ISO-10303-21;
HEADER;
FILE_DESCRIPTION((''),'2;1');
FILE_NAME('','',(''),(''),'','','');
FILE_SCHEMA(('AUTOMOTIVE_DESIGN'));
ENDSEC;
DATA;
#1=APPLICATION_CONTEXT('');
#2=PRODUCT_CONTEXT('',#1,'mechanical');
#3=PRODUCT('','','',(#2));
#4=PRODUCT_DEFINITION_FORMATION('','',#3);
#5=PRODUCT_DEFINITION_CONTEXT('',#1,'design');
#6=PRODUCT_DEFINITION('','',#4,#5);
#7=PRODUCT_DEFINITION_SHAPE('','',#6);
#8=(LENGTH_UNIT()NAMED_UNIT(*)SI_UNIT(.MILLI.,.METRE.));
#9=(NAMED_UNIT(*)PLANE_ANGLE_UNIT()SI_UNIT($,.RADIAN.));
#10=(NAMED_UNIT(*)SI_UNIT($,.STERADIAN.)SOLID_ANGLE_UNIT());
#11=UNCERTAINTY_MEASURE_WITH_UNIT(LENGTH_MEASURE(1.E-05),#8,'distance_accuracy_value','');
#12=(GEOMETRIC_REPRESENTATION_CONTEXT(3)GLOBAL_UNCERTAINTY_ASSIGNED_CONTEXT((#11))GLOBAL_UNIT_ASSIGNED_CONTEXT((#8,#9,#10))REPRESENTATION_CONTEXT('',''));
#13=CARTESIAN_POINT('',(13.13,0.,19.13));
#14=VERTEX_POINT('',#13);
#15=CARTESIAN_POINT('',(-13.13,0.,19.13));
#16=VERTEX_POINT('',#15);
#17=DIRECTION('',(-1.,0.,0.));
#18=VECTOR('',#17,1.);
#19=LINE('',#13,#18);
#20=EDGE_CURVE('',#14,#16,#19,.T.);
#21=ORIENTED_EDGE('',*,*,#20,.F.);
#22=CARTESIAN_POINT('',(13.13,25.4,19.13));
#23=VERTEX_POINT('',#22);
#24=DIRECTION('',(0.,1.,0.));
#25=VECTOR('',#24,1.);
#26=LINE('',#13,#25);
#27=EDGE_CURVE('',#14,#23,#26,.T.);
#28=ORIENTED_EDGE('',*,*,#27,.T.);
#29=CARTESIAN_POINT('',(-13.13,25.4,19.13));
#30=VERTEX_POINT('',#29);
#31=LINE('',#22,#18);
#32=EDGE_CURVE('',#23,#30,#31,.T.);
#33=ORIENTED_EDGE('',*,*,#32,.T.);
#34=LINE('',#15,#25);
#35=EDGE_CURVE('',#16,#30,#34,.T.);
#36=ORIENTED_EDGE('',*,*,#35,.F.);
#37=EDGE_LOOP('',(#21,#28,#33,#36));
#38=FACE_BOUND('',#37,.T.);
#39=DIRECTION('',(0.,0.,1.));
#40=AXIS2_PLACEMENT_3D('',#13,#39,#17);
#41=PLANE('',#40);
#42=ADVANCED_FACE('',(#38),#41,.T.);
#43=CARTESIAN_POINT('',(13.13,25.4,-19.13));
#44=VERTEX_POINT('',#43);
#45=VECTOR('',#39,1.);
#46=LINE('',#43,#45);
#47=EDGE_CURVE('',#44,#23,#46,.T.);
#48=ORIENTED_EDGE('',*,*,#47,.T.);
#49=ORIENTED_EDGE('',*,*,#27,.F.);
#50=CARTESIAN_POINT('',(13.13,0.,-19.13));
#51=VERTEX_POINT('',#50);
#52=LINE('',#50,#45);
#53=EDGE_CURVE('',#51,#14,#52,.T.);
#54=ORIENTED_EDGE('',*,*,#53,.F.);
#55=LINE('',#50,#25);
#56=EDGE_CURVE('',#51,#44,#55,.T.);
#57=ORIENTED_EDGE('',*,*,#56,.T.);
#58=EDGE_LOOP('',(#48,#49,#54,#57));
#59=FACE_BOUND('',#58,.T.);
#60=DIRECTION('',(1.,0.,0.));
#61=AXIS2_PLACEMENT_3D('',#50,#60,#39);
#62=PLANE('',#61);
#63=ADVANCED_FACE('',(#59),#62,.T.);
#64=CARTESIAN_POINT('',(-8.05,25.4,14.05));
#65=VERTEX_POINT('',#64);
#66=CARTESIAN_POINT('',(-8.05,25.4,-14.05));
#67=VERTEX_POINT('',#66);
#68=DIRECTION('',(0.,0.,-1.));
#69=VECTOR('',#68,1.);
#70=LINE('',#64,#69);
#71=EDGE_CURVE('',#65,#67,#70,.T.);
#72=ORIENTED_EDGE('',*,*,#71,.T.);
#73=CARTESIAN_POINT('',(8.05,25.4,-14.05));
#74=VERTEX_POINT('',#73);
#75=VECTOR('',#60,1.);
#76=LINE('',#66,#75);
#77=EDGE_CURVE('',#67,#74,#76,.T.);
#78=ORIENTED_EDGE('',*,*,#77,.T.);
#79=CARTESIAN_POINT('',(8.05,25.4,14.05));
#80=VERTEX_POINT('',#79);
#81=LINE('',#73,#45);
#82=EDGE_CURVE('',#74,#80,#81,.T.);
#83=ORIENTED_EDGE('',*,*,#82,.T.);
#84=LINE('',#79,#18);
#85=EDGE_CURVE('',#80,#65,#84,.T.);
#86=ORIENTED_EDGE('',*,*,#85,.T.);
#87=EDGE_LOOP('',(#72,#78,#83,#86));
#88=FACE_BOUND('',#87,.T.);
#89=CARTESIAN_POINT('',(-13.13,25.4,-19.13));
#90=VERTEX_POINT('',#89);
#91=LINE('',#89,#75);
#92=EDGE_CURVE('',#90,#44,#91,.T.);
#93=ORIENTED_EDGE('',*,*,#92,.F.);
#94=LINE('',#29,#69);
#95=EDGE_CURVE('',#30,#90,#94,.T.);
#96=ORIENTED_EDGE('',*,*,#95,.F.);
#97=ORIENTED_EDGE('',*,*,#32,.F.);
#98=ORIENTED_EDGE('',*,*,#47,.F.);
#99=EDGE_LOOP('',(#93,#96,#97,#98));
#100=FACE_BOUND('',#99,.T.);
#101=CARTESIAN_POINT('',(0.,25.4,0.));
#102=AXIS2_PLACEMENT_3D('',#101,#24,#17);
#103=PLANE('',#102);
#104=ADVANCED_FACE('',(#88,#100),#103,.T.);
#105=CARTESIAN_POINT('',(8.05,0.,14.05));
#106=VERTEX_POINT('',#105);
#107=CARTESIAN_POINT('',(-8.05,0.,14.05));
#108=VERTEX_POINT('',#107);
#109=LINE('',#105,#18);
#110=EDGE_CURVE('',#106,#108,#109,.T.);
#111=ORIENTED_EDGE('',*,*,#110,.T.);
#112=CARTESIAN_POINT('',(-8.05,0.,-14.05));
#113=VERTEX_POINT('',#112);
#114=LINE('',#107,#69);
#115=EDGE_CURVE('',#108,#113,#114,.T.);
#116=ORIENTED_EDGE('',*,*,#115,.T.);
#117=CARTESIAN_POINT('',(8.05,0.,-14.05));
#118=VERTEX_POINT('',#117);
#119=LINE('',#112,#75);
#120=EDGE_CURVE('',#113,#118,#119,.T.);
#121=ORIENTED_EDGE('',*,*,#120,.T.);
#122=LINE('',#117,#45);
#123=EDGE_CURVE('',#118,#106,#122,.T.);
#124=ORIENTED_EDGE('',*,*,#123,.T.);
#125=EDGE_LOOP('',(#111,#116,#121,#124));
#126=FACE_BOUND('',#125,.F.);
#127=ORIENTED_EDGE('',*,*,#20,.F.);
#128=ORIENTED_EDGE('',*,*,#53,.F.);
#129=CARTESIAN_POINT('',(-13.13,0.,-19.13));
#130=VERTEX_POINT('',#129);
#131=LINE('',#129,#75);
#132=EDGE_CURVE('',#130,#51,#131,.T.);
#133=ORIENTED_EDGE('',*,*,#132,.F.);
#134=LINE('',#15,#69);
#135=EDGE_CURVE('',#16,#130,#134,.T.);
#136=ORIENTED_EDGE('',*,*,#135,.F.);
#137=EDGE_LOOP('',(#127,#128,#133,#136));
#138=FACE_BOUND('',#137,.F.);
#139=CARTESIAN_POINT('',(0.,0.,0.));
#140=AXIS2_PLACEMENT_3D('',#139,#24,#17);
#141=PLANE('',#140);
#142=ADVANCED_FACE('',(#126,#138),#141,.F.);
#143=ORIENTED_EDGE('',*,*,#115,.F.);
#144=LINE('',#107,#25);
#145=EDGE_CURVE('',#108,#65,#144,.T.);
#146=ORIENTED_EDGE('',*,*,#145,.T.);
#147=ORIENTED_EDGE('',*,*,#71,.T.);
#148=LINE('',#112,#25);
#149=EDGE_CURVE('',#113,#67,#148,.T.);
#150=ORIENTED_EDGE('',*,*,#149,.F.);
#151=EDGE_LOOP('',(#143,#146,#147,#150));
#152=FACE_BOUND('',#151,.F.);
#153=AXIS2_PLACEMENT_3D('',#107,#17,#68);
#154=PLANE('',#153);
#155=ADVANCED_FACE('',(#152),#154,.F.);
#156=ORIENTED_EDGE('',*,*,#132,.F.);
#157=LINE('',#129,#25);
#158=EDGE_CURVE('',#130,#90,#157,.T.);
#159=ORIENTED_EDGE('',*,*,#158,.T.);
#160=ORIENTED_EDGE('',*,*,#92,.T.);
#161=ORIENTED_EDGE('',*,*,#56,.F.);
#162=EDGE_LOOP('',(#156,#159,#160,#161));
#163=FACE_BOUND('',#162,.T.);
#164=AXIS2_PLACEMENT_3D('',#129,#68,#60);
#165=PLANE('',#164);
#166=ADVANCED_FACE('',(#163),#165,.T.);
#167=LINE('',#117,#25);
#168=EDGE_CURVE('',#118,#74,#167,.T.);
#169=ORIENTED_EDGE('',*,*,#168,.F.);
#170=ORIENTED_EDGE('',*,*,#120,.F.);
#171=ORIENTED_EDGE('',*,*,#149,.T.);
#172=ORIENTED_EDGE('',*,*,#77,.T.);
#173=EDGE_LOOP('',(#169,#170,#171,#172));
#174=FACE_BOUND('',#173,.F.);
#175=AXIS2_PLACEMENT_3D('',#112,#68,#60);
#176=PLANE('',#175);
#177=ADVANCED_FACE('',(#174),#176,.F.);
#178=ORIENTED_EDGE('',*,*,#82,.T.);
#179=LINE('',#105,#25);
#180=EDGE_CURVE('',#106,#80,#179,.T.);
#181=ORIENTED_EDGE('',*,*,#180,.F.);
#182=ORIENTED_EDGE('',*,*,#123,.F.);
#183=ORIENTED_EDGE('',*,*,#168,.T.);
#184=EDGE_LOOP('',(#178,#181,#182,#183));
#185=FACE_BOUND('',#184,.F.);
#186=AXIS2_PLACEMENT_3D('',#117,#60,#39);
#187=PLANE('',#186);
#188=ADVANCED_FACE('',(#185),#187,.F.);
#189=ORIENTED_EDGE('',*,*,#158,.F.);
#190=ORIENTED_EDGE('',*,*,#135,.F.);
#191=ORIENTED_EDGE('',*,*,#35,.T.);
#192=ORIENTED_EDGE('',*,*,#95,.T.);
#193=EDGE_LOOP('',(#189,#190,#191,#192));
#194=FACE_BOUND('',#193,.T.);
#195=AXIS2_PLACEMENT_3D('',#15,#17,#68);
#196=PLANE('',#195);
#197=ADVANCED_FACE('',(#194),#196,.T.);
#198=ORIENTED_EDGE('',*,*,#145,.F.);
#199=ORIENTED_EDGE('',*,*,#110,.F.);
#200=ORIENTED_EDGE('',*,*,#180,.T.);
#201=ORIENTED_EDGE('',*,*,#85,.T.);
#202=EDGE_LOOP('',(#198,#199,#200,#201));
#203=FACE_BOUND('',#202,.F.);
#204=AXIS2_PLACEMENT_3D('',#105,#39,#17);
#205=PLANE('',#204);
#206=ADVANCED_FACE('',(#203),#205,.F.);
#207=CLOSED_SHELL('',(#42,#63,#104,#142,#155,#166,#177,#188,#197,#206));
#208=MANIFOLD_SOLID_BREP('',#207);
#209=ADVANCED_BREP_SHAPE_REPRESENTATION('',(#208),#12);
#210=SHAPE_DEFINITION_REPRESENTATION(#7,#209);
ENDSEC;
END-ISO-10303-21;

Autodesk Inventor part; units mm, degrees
ref_plane "YZ Plane" through (0, 0, 0) normal (1, 0, 0) x (0, 1, 0)
ref_plane "XZ Plane" through (0, 0, 0) normal (0, 1, 0) x (-1, 0, 0)
ref_plane "XY Plane" through (0, 0, 0) normal (0, 0, 1) x (1, 0, 0)
sketch "Sketch1" plane through (0, 0, 0) normal (0, 1, 0) x (-1, 0, 0)
  line L0 (8.05, -14.05) -> (-8.05, -14.05)
  line L1 (-8.05, -14.05) -> (-8.05, 14.05)
  line L2 (-8.05, 14.05) -> (8.05, 14.05)
  line L3 (8.05, 14.05) -> (8.05, -14.05)
  line L4 (13.13, -19.13) -> (-13.13, -19.13)
  line L5 (-13.13, -19.13) -> (-13.13, 19.13)
  line L6 (-13.13, 19.13) -> (13.13, 19.13)
  line L7 (13.13, 19.13) -> (13.13, -19.13)
  point P0 (0, 0)
  point P1 (8.05, 0)
  point P2 (0, -14.05)
  dimension "d0" = 16.1
  dimension "d1" = 28.1
  dimension "d2" = 5.08
  dimension "d3" = 5.08
  dimension "d4" = 5.08
  dimension "d5" = 5.08
extrude "Extrusion1" add sketch "Sketch1" along normal blind 25.4
properties part number "SwitchHolder"
